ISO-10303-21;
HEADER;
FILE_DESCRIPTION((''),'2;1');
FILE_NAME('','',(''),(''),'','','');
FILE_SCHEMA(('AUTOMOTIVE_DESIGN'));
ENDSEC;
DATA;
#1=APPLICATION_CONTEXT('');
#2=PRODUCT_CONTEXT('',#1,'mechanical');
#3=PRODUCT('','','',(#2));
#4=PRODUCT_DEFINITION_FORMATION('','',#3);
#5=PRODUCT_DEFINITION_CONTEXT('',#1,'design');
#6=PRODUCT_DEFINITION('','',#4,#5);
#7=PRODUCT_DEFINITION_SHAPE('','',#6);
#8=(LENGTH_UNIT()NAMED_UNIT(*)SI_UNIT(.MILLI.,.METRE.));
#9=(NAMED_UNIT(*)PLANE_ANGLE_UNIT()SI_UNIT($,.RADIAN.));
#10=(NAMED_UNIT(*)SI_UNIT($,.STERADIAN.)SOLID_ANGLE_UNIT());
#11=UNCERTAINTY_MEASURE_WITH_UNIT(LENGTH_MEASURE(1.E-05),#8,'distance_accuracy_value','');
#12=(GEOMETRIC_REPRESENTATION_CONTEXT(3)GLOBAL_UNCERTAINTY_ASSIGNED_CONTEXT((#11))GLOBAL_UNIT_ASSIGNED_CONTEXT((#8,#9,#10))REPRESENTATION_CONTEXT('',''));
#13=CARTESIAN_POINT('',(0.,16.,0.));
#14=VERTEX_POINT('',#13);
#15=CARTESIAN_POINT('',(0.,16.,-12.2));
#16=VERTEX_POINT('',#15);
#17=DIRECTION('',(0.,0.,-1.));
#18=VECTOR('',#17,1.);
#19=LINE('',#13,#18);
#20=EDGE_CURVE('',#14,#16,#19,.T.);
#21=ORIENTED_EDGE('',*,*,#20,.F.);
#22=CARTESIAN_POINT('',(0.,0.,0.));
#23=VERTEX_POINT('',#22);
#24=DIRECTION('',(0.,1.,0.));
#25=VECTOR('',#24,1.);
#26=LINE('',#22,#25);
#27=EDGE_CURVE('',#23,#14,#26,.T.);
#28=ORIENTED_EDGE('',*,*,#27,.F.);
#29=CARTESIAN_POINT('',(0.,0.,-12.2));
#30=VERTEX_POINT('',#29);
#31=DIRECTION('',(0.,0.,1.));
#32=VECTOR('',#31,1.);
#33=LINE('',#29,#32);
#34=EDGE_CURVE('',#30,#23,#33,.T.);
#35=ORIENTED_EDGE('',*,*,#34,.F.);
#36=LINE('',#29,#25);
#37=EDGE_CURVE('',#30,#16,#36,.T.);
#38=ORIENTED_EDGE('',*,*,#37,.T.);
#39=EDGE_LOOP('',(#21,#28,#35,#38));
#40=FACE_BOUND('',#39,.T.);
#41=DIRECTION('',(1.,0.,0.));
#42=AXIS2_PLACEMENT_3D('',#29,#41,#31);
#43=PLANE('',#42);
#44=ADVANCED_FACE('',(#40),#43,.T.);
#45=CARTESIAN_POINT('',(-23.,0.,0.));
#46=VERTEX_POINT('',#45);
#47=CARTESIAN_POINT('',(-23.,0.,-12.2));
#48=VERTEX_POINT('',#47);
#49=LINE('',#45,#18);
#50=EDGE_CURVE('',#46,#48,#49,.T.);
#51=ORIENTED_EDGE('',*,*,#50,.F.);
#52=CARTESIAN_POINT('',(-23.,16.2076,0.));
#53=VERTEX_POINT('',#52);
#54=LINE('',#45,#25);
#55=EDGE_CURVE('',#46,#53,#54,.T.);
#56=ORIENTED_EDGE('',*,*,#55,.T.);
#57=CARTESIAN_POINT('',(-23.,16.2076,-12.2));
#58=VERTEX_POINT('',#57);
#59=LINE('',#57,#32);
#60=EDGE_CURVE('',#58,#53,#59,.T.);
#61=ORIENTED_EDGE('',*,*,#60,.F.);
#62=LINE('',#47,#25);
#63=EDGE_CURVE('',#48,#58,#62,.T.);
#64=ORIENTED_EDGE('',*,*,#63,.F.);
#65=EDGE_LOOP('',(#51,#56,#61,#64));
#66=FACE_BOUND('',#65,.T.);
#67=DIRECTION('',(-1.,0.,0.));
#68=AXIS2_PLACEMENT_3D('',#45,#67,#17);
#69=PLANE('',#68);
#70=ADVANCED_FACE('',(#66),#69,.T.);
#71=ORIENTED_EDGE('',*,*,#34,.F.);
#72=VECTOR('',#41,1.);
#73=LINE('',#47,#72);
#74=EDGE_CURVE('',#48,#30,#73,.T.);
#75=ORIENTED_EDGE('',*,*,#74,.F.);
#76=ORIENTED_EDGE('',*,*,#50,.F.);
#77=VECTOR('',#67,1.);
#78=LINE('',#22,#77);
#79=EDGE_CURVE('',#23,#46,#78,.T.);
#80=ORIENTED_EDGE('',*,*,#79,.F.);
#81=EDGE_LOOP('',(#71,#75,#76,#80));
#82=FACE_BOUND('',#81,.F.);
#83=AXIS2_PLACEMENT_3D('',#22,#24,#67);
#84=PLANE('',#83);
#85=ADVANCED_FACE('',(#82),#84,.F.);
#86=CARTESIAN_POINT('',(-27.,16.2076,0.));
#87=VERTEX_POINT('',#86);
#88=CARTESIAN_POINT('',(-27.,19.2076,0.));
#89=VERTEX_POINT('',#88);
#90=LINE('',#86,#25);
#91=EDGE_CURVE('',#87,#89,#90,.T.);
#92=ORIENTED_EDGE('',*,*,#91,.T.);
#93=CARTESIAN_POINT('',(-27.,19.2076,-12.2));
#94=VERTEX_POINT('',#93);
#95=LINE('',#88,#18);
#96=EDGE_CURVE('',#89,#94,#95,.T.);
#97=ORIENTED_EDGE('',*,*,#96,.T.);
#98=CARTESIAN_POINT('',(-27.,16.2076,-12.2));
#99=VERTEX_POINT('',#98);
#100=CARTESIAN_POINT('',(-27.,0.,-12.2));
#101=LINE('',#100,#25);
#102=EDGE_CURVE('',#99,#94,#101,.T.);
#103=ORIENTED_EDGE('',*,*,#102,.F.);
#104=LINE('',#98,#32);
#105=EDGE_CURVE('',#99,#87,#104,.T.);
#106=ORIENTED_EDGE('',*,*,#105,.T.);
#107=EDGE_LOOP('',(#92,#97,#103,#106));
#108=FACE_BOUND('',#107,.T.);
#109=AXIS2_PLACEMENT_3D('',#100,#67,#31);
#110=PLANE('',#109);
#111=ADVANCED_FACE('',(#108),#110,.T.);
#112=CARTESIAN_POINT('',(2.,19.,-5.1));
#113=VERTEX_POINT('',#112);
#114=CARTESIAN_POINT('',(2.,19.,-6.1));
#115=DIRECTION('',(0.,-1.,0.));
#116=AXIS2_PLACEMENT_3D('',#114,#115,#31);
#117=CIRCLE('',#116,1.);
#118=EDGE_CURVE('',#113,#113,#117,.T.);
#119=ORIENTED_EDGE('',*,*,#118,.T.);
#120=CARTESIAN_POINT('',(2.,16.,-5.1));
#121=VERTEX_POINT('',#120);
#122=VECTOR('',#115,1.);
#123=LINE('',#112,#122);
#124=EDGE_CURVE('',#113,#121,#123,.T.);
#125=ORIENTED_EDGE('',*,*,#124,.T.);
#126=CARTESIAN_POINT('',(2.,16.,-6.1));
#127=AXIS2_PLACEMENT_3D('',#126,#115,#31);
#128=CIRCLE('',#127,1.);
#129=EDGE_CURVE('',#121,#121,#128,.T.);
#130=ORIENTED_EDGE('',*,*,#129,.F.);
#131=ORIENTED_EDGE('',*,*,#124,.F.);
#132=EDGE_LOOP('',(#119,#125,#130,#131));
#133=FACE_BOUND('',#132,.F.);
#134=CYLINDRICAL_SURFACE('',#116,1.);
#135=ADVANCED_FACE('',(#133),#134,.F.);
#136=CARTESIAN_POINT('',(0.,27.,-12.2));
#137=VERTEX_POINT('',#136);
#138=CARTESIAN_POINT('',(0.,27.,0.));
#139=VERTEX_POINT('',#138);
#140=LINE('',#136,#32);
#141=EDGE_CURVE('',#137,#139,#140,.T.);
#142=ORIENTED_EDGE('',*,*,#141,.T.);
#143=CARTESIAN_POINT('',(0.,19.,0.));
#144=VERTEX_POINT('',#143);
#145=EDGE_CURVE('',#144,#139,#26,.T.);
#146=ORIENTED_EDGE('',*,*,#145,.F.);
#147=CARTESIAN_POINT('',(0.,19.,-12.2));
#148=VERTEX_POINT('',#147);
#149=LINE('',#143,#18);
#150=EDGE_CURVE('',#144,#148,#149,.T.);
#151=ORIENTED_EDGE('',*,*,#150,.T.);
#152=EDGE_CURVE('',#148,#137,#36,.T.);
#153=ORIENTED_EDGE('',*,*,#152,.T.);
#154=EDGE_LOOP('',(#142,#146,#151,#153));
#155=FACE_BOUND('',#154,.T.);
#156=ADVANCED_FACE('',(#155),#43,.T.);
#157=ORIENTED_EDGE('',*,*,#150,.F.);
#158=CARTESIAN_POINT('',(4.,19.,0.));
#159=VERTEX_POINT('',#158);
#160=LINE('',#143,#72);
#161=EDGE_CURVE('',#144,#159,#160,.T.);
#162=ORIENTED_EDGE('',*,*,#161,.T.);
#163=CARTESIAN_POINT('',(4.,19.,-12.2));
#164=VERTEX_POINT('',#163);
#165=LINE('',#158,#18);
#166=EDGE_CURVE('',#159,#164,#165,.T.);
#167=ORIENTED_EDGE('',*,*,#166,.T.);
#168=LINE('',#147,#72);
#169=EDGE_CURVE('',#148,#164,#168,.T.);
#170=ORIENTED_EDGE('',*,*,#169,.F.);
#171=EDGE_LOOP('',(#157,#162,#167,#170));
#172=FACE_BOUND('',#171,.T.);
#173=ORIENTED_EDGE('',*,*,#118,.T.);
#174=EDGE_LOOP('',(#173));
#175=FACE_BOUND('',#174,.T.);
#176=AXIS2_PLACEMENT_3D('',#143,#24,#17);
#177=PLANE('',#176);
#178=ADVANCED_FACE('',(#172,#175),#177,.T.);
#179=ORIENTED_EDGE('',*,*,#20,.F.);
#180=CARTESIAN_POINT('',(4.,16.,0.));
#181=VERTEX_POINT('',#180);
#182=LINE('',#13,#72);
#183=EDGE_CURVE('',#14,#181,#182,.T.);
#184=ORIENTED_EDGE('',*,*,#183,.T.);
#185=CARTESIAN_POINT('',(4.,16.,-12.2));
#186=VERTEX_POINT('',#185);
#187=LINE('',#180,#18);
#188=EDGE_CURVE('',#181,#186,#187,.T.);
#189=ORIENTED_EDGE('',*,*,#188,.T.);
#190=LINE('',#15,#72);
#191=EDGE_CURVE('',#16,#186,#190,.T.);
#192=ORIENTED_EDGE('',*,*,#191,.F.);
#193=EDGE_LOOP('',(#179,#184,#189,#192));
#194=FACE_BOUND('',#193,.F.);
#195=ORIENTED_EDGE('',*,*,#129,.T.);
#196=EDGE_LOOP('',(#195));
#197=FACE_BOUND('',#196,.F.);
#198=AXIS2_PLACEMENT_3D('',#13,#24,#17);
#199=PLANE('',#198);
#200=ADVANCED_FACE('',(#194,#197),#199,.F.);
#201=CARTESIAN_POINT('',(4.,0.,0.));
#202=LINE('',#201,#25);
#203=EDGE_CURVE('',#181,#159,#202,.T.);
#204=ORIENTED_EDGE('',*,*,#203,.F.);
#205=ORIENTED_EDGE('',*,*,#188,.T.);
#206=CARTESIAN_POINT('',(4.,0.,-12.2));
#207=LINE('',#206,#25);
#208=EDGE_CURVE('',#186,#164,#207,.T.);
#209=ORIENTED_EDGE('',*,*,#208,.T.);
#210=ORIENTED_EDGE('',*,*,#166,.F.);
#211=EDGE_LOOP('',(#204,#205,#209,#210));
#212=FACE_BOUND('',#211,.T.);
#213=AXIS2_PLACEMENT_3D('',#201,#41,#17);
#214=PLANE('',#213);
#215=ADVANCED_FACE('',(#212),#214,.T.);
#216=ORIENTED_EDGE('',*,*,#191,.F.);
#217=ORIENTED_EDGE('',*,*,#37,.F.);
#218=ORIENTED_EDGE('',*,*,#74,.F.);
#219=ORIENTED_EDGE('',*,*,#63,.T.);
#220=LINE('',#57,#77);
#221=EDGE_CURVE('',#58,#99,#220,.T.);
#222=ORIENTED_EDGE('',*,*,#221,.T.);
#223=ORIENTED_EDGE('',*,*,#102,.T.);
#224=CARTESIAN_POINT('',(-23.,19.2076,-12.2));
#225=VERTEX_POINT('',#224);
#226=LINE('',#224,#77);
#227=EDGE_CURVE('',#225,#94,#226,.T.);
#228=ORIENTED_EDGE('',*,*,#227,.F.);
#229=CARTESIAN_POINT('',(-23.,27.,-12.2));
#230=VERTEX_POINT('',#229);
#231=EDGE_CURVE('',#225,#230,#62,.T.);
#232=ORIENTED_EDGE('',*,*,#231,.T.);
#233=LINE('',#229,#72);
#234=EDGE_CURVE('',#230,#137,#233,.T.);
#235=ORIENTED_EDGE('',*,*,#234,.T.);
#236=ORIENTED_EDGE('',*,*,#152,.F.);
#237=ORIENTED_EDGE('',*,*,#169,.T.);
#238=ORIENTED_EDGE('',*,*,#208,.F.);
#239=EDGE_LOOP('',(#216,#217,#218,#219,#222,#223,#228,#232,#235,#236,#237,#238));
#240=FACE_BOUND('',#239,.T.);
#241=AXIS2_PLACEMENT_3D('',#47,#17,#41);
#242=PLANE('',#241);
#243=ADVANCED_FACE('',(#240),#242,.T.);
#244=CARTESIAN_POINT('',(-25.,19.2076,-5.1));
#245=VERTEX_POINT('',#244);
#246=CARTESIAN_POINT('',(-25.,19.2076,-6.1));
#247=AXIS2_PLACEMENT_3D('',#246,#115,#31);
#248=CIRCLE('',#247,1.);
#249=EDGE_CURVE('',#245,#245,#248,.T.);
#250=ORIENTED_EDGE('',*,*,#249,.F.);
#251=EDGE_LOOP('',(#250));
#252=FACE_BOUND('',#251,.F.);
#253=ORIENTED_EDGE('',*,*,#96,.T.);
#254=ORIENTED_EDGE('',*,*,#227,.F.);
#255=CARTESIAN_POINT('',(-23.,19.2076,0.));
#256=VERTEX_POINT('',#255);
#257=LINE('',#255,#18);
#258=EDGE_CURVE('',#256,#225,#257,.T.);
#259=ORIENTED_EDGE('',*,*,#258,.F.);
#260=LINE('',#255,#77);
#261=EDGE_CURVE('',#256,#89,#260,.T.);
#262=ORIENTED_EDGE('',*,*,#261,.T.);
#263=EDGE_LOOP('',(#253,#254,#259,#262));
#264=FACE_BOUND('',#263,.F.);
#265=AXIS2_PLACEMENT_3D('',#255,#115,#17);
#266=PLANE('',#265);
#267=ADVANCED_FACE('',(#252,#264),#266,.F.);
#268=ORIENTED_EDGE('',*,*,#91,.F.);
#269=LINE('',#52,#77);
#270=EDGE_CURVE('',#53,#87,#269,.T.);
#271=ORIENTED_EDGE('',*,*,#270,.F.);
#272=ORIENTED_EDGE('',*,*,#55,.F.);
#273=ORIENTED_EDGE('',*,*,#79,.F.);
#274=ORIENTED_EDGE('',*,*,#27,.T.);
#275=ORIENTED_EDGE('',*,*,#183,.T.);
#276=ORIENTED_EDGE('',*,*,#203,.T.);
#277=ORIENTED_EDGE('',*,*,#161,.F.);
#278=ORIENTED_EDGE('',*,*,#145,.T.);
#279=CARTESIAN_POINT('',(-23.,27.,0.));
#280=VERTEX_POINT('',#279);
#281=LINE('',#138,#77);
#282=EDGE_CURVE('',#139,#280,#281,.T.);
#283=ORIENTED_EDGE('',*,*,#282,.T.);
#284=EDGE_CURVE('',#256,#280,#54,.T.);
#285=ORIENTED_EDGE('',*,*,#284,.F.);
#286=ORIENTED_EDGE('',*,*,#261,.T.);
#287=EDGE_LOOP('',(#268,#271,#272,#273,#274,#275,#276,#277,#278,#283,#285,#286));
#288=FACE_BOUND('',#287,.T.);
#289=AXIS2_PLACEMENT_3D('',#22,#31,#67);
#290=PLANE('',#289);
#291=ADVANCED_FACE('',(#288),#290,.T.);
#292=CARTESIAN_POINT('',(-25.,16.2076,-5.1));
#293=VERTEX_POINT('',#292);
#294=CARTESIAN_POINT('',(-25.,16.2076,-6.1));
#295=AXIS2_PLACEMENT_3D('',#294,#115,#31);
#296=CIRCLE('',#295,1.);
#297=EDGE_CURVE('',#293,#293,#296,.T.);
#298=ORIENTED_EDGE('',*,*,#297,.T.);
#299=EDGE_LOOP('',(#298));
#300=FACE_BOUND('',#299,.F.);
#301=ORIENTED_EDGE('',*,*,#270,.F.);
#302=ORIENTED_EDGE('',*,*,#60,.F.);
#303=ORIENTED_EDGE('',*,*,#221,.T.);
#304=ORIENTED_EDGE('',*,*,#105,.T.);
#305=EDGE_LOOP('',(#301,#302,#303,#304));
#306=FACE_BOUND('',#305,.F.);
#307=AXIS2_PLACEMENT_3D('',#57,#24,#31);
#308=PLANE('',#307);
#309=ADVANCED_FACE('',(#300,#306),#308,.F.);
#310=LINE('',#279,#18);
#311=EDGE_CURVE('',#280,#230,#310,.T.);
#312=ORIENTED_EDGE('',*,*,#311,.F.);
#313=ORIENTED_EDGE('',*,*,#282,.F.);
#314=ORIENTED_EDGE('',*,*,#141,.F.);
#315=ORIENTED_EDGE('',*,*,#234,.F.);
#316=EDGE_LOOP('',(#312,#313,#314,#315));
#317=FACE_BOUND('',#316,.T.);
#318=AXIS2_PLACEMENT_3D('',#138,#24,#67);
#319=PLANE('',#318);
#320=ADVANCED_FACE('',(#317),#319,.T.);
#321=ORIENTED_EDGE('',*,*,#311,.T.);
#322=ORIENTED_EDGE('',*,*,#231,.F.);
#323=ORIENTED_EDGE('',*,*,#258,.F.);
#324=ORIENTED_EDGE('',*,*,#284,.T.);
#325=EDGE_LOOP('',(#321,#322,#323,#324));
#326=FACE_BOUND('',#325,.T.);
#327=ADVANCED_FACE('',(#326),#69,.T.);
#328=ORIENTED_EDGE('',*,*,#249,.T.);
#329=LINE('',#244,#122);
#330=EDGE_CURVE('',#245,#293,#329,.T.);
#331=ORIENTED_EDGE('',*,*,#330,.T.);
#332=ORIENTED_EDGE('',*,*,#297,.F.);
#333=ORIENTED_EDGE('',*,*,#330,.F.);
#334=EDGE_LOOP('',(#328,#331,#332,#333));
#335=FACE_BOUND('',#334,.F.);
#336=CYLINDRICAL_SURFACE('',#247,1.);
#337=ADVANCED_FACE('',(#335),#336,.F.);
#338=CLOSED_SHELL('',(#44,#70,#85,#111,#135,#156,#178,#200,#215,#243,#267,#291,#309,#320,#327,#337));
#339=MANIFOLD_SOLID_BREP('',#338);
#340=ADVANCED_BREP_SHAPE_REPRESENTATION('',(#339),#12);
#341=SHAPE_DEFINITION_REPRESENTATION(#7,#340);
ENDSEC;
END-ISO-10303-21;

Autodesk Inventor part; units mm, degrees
ref_plane "YZ Plane" through (0, 0, 0) normal (1, 0, 0) x (0, 1, 0)
ref_plane "XZ Plane" through (0, 0, 0) normal (0, 1, 0) x (-1, 0, 0)
ref_plane "XY Plane" through (0, 0, 0) normal (0, 0, 1) x (1, 0, 0)
sketch "スケッチ1" plane through (0, 0, 0) normal (0, 1, 0) x (-1, 0, 0)
  line L0 (0, 0) -> (23, 0)
  line L1 (23, 0) -> (23, -12.2)
  line L2 (23, -12.2) -> (0, -12.2)
  line L3 (0, -12.2) -> (0, 0)
  dimension "d0" = 23
  dimension "d1" = 12.2
extrude "押し出し1" add sketch "スケッチ1" along normal blind 27
sketch "スケッチ2" plane through (0, 0, 0) normal (1, 0, 0) x (0, 0, -1)
  line L0 (0, 0) -> (0, 16)
  line L1 (0, 0) -> (0, 27) projected
  line L2 (0, 16) -> (12.2, 16)
  line L3 (12.2, 0) -> (12.2, 27) projected
  line L4 (0, 16) -> (0, 19)
  line L5 (0, 19) -> (12.2, 19)
  line L6 (12.2, 19) -> (12.2, 16)
  dimension "d4" = 16
  dimension "d5" = 3
extrude "押し出し2" add sketch "スケッチ2" along normal blind 4
sketch "スケッチ3" plane through (-23, 0, -12.2) normal (-1, 0, 0) x (0, 0, 1)
  line L0 (0, 0) -> (0, 16.2076)
  line L1 (0, 16.2076) -> (12.2, 16.2076)
  line L2 (12.2, 16.2076) -> (12.2, 19.2076)
  line L3 (12.2, 19.2076) -> (0, 19.2076)
  line L4 (0, 0) -> (0, 27) projected
  line L5 (0, 19.2076) -> (0, 16.2076)
  point P0 (12.2, 0)
  dimension "d8" = 3
extrude "押し出し3" add sketch "スケッチ3" along normal blind 4
hole "穴2" at (-25, 19.2076, -6.1) direction (0, -1, 0) diameter 2 end through all
hole "穴3" at (2, 19, -6.1) direction (0, -1, 0) diameter 2 end through all
properties part number "サーボ"
